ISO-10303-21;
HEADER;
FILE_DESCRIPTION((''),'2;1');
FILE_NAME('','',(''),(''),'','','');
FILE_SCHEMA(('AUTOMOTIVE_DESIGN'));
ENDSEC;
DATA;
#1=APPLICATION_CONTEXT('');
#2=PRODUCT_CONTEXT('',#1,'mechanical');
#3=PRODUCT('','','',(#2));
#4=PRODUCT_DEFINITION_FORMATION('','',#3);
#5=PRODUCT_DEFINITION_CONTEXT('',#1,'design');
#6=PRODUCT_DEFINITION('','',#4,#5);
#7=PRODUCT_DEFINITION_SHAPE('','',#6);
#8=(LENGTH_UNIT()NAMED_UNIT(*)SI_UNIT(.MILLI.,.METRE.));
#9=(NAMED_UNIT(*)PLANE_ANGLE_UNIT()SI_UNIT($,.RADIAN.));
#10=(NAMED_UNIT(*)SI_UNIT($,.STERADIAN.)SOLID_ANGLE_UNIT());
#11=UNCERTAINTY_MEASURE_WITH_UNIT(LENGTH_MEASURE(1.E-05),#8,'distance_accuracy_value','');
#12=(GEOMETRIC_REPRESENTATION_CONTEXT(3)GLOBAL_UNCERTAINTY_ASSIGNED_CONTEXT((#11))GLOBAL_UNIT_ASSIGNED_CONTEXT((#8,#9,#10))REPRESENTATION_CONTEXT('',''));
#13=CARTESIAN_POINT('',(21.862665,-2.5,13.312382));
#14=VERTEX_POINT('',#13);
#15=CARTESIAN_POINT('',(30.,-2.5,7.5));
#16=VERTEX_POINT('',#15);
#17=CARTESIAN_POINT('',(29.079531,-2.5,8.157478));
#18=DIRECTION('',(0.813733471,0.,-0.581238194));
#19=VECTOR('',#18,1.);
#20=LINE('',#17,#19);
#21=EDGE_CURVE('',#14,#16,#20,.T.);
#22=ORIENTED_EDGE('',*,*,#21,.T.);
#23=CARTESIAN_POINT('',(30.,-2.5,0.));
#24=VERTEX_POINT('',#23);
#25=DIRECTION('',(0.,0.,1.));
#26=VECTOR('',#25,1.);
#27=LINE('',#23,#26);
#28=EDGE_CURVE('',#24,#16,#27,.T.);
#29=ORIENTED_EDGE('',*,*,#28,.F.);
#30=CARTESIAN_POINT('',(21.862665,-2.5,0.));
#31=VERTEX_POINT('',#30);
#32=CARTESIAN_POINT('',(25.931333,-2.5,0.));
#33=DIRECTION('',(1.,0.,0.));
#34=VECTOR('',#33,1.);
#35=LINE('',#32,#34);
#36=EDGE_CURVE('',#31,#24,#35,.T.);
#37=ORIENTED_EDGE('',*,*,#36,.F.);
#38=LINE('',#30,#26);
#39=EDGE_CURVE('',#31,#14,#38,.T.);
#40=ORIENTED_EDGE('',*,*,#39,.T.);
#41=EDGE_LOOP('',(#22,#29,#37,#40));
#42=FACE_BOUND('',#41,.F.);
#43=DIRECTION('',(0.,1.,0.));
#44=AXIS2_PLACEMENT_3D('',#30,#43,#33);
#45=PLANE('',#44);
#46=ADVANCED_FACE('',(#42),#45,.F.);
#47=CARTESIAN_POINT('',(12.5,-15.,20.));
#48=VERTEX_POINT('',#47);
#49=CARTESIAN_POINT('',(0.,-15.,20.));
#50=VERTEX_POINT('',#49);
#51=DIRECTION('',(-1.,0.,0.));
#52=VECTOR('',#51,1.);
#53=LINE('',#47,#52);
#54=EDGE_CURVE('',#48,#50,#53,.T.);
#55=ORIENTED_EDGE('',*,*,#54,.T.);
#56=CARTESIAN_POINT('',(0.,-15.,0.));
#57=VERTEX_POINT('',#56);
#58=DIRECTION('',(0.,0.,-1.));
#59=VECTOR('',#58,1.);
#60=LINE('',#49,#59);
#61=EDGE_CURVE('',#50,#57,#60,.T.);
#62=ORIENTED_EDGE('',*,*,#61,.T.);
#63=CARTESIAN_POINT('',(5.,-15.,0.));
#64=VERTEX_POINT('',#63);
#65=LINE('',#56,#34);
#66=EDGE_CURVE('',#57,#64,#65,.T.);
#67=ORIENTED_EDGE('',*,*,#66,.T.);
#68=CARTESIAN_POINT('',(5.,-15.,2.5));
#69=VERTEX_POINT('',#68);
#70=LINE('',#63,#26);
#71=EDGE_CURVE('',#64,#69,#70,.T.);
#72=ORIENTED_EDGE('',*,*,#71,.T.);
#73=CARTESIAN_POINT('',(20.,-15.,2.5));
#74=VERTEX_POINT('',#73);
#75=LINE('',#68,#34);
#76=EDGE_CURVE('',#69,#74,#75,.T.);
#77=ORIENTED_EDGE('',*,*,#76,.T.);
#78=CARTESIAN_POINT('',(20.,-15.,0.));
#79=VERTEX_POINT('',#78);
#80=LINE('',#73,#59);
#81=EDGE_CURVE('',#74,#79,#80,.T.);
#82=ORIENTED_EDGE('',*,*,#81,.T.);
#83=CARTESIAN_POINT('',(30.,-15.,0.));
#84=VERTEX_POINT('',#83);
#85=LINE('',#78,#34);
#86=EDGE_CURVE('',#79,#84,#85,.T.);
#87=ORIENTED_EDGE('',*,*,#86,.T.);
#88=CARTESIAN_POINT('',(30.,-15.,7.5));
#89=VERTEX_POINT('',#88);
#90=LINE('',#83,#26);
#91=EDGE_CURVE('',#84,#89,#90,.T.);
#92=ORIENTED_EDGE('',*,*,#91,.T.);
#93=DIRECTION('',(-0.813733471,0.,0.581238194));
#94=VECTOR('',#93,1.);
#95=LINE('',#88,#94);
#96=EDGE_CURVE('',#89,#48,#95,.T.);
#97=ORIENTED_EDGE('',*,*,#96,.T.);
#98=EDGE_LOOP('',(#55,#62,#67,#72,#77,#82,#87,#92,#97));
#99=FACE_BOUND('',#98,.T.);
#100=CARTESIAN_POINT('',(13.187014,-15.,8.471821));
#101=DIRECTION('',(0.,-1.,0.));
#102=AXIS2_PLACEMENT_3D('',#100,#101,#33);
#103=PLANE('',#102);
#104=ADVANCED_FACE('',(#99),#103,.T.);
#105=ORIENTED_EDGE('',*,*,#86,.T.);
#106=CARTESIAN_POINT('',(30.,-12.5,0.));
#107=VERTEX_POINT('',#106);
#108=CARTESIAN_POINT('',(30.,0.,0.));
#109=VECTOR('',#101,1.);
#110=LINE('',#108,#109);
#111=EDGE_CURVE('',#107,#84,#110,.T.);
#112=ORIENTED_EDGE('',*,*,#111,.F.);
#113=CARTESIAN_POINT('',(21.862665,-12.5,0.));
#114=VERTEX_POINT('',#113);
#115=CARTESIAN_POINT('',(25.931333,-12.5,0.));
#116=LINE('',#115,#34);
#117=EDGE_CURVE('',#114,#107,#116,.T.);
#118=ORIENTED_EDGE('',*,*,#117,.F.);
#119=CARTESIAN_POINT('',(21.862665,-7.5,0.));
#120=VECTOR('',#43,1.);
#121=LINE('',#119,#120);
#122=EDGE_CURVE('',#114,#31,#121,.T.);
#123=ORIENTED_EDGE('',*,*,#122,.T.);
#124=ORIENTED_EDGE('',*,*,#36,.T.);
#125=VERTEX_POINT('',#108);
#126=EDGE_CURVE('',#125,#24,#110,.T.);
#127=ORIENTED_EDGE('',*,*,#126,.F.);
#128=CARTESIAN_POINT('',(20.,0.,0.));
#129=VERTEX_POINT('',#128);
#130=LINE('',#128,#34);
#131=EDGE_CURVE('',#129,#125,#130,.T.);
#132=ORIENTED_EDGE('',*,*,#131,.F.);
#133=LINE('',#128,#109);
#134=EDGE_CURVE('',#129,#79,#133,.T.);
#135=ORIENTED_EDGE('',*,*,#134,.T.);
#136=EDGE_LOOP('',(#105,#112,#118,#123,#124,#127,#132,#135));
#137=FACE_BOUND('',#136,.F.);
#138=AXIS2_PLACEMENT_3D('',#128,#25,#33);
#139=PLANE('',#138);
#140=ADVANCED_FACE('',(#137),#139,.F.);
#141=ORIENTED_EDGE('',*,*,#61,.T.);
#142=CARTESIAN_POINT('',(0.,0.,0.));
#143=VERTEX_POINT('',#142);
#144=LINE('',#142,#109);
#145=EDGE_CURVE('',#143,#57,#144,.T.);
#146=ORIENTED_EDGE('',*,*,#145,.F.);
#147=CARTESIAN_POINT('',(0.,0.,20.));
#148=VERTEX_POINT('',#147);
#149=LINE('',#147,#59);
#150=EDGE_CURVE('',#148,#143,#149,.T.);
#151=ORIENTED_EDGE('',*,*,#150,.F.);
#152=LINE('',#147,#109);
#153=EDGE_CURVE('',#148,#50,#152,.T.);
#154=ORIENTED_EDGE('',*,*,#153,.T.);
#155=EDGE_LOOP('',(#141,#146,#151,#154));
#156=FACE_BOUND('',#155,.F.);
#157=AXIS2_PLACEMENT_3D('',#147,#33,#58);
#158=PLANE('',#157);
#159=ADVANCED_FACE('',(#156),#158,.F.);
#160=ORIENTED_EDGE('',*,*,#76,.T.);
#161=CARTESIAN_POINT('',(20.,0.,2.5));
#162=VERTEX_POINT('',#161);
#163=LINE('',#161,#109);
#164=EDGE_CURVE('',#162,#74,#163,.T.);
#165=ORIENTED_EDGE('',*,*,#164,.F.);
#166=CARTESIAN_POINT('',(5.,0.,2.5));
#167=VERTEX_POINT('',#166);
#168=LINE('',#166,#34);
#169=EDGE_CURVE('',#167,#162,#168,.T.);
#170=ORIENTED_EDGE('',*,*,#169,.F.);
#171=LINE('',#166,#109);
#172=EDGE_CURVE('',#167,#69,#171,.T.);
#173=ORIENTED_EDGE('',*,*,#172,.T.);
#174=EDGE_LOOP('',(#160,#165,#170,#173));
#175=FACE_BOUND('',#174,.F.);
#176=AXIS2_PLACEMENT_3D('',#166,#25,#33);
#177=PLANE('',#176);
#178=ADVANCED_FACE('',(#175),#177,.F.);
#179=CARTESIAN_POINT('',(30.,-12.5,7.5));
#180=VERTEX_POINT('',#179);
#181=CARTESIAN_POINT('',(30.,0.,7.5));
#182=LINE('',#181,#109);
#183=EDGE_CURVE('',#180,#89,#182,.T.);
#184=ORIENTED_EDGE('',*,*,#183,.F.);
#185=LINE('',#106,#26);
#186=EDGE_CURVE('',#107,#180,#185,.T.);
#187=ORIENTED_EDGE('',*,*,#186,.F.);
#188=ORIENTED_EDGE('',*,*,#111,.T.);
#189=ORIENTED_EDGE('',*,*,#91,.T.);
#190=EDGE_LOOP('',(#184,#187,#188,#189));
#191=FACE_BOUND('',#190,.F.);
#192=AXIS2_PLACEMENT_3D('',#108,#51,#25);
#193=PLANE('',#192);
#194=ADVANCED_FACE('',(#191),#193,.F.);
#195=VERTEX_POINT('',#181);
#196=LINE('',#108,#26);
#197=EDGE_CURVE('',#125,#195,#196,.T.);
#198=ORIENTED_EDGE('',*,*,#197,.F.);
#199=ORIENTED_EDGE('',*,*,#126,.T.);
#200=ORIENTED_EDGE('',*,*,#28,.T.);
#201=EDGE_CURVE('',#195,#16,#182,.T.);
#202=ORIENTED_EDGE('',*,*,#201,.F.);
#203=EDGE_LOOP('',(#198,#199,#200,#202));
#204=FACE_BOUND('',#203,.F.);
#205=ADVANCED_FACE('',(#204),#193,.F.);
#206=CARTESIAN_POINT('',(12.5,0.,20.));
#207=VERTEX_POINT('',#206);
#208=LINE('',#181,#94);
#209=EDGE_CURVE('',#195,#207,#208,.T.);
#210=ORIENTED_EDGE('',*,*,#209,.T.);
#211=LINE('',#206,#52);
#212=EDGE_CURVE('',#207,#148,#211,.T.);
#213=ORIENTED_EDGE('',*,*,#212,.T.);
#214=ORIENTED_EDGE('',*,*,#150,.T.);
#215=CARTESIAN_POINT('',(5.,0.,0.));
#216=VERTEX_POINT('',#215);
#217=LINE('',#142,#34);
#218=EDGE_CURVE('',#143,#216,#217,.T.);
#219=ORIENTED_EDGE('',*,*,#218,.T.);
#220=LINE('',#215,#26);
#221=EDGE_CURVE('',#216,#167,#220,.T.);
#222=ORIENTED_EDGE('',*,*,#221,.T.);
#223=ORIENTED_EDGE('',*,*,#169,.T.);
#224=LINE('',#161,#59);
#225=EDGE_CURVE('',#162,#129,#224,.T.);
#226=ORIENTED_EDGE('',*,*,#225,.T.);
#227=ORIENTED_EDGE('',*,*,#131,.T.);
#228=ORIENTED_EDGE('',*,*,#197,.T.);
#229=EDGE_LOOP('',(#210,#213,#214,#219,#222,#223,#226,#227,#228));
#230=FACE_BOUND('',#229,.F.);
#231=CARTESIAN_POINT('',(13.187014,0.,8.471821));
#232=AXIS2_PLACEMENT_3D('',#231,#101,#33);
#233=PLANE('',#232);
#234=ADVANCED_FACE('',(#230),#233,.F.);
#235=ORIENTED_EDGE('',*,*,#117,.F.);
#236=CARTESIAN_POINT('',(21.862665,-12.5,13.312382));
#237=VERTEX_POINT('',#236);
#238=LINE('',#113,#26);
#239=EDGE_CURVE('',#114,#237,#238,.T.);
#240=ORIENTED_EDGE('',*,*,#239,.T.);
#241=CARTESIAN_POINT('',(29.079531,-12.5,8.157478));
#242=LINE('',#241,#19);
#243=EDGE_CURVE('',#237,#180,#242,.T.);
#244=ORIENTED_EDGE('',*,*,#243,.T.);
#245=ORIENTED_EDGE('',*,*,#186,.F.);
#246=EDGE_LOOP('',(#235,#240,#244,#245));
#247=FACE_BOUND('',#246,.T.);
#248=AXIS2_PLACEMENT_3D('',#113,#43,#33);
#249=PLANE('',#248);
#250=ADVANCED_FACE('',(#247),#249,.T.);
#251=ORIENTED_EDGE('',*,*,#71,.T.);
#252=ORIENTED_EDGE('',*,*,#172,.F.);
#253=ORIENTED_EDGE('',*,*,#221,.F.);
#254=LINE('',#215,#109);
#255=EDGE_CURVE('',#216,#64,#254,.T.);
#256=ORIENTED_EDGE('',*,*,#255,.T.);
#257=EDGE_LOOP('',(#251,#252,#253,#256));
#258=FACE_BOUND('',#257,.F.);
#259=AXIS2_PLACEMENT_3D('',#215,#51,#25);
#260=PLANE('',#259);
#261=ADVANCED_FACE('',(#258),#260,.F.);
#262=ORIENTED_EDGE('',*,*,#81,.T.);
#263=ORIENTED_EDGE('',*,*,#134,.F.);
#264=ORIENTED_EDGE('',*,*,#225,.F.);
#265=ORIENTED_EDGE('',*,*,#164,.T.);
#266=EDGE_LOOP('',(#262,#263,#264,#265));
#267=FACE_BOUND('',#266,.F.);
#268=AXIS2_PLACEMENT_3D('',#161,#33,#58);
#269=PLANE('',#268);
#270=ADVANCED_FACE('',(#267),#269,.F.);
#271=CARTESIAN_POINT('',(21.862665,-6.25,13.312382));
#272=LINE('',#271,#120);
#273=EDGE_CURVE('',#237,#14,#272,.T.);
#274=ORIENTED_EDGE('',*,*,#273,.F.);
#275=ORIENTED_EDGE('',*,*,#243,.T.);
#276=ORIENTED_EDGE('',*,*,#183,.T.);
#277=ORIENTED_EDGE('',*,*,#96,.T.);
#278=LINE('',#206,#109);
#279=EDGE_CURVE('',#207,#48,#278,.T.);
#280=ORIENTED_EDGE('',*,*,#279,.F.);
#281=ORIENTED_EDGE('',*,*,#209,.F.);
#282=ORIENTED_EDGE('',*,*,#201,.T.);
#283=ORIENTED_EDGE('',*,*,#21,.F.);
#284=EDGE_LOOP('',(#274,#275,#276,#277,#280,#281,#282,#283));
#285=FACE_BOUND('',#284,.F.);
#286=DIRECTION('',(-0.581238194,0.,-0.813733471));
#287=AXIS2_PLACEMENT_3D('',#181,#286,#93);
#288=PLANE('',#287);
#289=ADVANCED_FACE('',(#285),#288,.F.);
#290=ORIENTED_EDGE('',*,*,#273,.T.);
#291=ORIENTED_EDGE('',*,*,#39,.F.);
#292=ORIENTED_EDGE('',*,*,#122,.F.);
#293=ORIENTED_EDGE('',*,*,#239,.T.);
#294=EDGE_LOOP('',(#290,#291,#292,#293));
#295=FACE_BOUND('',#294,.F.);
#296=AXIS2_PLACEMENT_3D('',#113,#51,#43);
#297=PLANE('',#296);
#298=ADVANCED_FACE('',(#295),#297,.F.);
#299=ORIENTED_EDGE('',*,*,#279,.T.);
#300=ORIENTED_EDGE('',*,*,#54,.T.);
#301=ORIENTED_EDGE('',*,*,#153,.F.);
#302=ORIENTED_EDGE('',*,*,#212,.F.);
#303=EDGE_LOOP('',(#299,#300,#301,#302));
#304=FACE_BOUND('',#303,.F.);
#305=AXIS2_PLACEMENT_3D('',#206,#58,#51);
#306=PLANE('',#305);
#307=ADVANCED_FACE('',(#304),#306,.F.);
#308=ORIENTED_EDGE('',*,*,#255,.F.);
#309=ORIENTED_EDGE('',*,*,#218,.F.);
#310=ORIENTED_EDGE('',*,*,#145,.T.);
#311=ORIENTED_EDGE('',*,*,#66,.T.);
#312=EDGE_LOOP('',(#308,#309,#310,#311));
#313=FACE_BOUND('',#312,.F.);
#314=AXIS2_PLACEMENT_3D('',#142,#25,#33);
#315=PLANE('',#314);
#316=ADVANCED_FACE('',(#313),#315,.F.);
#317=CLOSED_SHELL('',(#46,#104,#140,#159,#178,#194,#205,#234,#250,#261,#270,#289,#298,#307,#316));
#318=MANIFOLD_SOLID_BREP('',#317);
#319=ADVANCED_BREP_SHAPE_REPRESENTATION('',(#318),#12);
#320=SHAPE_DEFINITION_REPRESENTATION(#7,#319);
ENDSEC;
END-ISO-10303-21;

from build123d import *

# Parameters (mm, degrees)
F1_DEPTH = 15
F2_W     = 8.1373347121
F2_H     = 10
F3_DEPTH = 25


with BuildPart() as f1:
    # F0 (on Front) → F1 (new body)
    with BuildSketch(Plane.XZ):
        Polygon((0, 20), (0, 0), (5, 0), (5, 2.5), (20, 2.5), (20, 0), (30, 0), (30, 7.5), (12.5, 20), align=None)
    extrude(amount=F1_DEPTH)

    # F2 (on Top) → F3 (cut)
    with BuildSketch(Plane.XY):
        with Locations((25.931332644, -7.5)):
            Rectangle(F2_W, F2_H)
    extrude(amount=F3_DEPTH, mode=Mode.SUBTRACT)


solid = f1.part
